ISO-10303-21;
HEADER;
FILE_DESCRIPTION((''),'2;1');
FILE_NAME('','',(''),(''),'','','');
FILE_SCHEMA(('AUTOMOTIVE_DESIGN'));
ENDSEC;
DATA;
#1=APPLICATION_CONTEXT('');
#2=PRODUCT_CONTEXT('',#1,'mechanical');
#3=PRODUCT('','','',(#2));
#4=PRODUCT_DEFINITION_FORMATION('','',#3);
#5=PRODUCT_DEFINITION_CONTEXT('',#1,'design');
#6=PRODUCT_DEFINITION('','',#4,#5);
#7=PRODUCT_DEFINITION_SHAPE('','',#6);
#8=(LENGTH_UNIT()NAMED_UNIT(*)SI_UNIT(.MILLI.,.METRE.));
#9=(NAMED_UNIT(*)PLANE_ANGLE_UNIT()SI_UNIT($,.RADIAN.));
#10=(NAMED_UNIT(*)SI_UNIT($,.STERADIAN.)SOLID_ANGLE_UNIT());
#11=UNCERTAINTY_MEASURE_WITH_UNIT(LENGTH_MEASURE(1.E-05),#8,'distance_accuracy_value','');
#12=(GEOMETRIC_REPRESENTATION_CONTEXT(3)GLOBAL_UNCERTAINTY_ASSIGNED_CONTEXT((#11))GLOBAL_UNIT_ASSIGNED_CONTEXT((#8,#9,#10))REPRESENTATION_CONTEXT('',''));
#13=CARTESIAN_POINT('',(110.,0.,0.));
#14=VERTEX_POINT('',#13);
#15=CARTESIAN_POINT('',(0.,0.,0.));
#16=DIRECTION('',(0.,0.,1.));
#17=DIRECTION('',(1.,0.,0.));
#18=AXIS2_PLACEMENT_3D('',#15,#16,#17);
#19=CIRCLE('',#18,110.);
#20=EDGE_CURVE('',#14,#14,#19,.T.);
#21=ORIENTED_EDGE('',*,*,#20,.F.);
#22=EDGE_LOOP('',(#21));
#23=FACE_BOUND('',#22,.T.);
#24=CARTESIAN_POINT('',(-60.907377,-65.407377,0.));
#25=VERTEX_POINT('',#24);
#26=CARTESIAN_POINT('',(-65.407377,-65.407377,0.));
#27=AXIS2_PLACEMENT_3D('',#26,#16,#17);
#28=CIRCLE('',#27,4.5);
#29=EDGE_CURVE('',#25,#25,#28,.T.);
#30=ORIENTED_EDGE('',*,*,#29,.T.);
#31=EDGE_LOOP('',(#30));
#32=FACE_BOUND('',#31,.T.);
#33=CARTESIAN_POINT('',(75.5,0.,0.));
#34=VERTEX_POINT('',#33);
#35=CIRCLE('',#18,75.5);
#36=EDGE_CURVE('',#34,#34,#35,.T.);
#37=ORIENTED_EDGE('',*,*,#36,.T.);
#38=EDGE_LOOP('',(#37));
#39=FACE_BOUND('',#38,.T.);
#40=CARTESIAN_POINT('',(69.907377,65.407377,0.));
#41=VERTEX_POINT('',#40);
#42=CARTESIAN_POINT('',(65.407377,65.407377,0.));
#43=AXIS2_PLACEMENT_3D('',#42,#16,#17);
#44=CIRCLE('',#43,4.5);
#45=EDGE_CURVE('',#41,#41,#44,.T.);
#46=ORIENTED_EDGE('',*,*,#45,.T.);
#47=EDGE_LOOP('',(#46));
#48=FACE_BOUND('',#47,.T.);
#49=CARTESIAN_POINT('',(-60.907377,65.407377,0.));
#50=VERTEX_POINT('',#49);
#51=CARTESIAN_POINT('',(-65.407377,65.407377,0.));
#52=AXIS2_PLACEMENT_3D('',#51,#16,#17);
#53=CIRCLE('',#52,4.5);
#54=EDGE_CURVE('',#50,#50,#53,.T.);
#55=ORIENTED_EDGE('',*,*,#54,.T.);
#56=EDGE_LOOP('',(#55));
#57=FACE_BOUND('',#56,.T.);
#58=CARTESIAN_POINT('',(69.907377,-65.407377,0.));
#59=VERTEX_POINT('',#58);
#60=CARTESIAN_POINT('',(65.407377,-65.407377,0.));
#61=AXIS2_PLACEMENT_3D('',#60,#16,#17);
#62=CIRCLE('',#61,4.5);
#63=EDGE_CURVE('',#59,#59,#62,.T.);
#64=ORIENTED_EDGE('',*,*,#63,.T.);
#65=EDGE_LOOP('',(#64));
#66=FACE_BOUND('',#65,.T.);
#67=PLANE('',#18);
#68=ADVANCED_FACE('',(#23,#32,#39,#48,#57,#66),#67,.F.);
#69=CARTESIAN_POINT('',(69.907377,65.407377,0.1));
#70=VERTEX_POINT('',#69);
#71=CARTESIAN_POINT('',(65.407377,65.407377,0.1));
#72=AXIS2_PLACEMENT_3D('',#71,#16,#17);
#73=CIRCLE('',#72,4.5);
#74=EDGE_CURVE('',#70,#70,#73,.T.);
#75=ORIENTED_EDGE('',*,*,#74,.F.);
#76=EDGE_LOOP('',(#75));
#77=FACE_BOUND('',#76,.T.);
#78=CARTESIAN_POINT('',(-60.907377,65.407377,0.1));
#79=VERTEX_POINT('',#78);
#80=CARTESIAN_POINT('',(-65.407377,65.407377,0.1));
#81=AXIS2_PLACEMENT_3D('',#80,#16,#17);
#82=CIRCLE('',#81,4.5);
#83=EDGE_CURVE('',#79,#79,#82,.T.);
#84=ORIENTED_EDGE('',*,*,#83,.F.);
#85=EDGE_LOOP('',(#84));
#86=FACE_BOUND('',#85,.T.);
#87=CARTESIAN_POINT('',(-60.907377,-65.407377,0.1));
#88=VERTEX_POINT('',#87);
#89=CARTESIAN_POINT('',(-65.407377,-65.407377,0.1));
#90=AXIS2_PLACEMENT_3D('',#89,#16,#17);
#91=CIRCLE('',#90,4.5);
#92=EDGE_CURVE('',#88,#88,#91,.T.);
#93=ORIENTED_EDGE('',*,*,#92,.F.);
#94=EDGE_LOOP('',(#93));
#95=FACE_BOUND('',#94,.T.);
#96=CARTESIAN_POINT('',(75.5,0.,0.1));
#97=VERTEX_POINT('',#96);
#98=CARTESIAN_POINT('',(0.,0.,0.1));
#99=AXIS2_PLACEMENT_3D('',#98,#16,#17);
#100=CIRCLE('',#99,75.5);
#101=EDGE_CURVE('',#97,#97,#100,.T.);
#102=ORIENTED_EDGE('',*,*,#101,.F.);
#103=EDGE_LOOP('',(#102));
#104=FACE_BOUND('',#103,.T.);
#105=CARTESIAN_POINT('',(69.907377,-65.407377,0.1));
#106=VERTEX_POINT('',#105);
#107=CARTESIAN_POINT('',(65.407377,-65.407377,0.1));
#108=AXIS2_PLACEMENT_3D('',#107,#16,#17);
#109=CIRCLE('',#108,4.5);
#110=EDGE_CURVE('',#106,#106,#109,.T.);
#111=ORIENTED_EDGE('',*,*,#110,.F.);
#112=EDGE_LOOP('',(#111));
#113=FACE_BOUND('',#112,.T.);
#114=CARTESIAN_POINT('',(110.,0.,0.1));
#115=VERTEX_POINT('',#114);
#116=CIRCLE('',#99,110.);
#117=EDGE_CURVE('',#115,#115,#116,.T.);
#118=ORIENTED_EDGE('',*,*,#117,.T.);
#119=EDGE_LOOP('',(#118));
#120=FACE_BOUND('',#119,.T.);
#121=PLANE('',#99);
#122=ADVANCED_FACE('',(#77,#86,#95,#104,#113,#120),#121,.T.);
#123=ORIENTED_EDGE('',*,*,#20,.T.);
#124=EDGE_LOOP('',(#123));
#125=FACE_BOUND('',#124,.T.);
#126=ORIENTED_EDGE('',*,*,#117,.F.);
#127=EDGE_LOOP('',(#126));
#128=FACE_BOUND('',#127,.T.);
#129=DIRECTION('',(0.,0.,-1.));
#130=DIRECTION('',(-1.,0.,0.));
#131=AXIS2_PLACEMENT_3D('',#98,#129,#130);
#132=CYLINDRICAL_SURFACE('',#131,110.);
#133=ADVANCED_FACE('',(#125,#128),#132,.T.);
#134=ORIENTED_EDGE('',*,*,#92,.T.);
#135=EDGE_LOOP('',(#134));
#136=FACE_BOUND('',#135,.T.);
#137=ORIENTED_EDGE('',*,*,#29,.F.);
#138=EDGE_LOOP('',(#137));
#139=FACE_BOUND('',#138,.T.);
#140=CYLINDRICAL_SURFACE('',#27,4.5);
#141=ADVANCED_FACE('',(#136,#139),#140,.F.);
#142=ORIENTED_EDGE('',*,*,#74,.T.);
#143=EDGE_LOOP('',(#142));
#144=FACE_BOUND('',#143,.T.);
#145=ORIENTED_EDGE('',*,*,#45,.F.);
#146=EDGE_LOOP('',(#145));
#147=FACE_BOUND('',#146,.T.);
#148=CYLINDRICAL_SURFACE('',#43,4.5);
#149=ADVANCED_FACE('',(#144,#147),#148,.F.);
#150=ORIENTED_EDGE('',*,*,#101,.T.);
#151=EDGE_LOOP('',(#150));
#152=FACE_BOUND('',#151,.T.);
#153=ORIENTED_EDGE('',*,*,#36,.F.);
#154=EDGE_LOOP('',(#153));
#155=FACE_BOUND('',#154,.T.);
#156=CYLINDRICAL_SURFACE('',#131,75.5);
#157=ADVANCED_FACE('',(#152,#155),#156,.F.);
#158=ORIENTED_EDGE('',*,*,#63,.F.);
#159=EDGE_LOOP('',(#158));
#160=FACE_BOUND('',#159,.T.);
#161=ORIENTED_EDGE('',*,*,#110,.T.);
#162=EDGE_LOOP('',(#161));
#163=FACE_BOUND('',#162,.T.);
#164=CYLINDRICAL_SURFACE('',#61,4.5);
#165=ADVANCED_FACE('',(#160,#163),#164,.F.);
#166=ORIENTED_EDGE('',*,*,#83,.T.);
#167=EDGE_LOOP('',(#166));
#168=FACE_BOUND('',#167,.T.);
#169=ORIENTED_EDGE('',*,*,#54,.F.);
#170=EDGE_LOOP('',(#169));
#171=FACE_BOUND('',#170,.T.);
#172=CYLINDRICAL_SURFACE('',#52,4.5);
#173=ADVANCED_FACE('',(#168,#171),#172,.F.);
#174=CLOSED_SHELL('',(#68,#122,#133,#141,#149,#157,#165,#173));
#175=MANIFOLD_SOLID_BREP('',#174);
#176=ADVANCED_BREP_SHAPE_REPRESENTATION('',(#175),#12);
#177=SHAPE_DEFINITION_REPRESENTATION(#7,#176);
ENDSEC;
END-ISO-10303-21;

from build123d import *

# Parameters (mm, degrees)
SCHIZZO1_R                   = 110
SCHIZZO1_R_2                 = 75.5
ESTRUSIONE_ESTRUSIONE1_DEPTH = 0.1
SCHIZZO3_R                   = 4.5
TAGLIO_ESTRUSIONE1_DEPTH     = 156.563524002


with BuildPart() as part:
    # Schizzo1 → Estrusione-Estrusione1 (new body)
    with BuildSketch(Plane.XY):
        Circle(SCHIZZO1_R)
        Circle(SCHIZZO1_R_2, mode=Mode.SUBTRACT)
    extrude(amount=ESTRUSIONE_ESTRUSIONE1_DEPTH)

    # Schizzo3 → Taglio-Estrusione1 (cut, through all)
    with BuildSketch(Plane.XY.offset(0.1)):
        with Locations((-65.40737726, 65.40737726)):
            Circle(SCHIZZO3_R)
        with Locations((65.40737726, 65.40737726)):
            Circle(SCHIZZO3_R)
        with Locations((65.40737726, -65.40737726)):
            Circle(SCHIZZO3_R)
        with Locations((-65.40737726, -65.40737726)):
            Circle(SCHIZZO3_R)
    extrude(amount=-TAGLIO_ESTRUSIONE1_DEPTH, mode=Mode.SUBTRACT)


solid = part.part
